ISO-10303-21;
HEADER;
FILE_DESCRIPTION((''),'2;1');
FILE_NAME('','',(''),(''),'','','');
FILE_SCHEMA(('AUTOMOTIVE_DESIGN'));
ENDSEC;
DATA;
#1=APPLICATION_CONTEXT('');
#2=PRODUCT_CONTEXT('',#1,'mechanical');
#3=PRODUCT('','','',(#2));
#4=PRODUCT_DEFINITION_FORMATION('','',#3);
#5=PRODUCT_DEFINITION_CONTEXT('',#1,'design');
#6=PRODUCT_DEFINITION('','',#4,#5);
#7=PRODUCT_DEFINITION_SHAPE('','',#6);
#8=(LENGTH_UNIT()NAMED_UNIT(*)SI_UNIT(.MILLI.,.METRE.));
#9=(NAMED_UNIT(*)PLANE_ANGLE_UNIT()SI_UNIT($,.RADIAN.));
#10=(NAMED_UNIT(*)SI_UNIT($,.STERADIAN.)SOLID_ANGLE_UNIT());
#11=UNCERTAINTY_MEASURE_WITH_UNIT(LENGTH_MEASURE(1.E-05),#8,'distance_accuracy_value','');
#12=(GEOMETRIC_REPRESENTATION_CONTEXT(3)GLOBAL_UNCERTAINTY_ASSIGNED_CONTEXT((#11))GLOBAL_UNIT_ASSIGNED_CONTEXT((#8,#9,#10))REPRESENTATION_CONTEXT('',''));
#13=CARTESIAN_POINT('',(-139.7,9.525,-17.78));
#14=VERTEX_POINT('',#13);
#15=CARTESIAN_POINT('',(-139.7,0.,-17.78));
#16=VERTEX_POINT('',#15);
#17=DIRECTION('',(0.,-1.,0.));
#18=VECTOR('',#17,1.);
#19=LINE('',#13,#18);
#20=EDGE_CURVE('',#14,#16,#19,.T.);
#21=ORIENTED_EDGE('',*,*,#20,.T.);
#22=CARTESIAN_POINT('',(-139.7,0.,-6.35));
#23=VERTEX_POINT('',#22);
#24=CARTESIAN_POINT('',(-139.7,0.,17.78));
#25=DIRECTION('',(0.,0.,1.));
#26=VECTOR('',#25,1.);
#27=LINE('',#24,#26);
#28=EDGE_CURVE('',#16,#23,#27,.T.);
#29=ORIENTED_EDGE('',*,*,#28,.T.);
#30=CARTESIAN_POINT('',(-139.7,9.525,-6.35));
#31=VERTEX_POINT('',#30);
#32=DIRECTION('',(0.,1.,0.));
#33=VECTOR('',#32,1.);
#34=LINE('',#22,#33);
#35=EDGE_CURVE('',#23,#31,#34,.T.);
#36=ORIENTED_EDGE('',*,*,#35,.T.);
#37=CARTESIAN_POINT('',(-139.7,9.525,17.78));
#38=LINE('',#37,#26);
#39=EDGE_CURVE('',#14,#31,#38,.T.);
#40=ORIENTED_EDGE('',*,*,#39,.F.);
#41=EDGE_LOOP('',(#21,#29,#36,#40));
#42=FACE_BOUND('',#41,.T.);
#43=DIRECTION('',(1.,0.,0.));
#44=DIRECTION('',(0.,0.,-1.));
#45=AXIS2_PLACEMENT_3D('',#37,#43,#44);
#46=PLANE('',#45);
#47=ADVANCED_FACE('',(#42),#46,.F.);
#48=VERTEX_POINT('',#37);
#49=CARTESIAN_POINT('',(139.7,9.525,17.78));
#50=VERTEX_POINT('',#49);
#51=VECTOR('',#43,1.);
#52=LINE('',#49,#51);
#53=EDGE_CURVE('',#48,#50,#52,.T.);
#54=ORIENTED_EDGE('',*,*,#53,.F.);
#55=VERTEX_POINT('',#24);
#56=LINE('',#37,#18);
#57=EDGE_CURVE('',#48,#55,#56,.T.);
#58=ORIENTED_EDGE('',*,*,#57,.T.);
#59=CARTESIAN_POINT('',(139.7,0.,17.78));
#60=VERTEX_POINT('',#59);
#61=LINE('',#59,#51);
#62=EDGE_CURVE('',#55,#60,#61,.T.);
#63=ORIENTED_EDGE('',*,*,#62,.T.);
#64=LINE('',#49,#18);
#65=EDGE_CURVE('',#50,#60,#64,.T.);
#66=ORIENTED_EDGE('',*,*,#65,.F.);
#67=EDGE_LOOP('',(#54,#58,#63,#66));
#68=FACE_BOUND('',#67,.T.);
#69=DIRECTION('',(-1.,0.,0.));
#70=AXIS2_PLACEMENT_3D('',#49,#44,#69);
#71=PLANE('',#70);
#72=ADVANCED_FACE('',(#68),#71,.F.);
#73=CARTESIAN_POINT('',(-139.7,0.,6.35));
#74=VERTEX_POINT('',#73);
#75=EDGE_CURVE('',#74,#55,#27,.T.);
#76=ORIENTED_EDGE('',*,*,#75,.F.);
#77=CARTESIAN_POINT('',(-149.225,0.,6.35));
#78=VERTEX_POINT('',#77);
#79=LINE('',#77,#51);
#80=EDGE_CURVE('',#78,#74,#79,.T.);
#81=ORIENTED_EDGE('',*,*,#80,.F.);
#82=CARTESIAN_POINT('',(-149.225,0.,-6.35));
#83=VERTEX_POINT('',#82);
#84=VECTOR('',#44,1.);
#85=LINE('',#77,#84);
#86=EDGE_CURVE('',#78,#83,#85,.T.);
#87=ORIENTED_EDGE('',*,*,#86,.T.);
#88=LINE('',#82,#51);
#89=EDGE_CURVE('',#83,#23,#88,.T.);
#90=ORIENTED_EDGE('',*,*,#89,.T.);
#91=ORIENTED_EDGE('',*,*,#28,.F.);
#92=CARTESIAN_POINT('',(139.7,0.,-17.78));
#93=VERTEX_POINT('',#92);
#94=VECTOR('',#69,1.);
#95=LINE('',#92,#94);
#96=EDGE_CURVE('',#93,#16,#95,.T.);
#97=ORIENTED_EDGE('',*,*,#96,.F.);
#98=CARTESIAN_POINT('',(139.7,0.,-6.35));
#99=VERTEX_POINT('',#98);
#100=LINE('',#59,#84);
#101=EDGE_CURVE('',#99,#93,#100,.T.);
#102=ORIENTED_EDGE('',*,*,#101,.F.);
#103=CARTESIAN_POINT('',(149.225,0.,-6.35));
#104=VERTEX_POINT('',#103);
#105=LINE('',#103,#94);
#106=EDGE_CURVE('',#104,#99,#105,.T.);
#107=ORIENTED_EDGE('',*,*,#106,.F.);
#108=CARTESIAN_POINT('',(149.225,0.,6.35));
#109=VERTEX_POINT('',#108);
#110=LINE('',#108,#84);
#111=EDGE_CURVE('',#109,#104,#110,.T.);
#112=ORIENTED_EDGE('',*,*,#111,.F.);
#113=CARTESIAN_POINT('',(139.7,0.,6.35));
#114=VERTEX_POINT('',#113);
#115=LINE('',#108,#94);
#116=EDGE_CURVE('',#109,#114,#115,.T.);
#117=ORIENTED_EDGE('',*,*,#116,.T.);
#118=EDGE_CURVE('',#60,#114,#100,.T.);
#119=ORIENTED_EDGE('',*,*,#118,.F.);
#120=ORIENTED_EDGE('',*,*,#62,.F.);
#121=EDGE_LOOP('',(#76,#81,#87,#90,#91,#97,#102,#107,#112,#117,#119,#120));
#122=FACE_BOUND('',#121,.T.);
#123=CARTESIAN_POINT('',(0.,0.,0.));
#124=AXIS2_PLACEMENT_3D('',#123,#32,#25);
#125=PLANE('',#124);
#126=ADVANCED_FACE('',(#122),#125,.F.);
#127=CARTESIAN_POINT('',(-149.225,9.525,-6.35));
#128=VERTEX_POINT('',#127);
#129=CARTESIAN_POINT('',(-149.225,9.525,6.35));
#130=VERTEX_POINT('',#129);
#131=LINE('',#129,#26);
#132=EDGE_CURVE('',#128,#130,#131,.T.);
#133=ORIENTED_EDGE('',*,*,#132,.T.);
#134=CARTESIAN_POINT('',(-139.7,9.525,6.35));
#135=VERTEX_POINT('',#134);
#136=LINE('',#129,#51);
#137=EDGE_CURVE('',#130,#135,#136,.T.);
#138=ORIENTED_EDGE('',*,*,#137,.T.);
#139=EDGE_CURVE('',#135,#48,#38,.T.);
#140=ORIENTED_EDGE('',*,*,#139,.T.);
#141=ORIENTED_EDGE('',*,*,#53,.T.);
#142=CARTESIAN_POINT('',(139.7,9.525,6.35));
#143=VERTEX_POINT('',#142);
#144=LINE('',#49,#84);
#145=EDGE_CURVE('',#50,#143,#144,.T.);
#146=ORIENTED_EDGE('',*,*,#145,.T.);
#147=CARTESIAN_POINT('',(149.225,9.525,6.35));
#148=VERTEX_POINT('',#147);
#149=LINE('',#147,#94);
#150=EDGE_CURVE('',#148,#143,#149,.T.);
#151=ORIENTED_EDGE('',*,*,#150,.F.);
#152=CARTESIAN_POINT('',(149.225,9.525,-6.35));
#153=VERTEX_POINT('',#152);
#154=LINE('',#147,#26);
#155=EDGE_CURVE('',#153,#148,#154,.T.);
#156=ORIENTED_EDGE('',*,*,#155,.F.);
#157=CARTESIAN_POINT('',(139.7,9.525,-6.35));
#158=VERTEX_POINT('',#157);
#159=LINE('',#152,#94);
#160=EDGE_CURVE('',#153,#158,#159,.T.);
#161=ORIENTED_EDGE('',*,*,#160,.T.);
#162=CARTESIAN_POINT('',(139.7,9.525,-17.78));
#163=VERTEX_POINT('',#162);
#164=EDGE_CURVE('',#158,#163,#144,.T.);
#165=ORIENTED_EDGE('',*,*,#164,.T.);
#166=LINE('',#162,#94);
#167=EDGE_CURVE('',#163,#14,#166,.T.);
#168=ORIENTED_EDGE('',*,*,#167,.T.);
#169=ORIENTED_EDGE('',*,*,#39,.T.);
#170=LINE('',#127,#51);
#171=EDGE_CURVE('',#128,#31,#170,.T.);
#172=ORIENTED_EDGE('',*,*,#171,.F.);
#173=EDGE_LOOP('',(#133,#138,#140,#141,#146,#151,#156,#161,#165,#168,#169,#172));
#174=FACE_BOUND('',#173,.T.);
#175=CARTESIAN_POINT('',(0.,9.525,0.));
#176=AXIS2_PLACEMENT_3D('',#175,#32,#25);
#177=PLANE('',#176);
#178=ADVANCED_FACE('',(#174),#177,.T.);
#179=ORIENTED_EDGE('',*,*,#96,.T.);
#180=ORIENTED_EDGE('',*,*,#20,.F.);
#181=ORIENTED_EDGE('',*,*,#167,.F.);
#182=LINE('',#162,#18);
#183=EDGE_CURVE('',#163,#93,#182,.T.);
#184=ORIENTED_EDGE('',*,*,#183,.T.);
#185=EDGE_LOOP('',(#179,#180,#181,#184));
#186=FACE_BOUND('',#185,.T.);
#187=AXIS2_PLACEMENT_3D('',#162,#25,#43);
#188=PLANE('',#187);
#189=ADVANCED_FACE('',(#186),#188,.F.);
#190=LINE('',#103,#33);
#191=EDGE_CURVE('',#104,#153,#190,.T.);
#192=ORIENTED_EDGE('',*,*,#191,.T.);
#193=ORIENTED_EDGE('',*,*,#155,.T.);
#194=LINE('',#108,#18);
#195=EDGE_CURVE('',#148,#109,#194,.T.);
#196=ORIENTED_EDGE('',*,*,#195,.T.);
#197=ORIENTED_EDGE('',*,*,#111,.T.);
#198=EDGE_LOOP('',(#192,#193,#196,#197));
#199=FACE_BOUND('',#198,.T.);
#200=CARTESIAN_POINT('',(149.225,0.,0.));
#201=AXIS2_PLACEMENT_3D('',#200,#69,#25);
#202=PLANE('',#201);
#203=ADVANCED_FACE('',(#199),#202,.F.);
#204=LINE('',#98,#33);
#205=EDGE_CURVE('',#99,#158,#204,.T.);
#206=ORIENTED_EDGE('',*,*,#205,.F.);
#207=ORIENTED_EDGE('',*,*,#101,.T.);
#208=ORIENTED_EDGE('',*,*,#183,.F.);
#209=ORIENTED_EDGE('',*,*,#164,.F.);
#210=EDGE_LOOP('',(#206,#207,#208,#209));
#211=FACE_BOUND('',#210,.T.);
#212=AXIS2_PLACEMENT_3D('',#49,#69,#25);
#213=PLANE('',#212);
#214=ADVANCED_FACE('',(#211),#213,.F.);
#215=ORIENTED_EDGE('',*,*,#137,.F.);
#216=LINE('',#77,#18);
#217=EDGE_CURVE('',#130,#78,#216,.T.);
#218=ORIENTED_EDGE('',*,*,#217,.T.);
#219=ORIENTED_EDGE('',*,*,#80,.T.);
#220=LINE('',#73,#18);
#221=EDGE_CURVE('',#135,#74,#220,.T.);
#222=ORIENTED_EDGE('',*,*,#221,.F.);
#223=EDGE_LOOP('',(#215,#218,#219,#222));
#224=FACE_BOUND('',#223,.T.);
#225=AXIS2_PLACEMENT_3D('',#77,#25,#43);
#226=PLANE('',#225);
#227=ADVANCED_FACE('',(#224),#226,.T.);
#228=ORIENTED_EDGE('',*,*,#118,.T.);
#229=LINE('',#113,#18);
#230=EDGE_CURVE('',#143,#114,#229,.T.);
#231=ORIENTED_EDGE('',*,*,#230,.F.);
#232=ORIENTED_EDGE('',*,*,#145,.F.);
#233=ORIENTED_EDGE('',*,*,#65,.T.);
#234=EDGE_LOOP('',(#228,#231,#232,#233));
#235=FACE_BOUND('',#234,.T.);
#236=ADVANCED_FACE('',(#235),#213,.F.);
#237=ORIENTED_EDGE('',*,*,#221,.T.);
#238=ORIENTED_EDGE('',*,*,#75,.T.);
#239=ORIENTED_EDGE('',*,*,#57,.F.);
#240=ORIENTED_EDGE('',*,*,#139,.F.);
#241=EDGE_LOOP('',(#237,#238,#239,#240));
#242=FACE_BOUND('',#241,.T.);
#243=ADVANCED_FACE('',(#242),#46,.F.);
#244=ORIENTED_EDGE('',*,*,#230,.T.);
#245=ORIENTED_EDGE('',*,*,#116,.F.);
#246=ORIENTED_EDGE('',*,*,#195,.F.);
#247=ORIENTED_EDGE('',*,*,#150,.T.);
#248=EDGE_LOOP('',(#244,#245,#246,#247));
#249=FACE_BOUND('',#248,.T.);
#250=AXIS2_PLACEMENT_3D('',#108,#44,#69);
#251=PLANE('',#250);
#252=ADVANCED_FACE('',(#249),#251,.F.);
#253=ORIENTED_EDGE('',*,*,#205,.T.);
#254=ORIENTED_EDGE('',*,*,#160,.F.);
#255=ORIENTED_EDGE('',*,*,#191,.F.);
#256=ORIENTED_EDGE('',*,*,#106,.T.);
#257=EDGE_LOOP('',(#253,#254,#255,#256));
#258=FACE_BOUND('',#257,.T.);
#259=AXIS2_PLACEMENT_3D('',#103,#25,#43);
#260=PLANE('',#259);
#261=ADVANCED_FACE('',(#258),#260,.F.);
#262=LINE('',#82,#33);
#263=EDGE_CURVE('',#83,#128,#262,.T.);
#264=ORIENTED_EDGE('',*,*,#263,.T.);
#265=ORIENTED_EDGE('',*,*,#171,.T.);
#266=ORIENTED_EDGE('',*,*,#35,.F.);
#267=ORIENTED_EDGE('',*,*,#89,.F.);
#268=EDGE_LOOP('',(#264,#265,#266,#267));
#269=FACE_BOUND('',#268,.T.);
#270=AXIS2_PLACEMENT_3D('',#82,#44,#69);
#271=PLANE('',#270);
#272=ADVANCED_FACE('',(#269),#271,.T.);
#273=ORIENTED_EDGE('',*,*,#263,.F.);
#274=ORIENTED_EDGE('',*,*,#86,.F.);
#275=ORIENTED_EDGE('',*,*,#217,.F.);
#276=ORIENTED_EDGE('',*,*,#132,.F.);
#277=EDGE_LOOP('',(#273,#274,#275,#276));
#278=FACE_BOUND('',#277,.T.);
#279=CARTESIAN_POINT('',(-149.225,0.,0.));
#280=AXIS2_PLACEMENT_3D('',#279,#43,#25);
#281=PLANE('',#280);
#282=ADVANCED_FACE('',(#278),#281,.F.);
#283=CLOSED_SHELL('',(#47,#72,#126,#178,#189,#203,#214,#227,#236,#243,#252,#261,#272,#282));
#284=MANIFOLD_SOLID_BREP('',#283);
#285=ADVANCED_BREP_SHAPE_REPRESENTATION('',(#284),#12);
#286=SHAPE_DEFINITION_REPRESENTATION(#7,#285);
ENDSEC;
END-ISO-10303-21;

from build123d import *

# Parameters (mm, degrees)
SKETCH1_W           = 279.4
SKETCH1_H           = 35.56
BOSS_EXTRUDE1_DEPTH = 9.525
SKETCH2_W           = 12.7
SKETCH2_H           = 9.525
BOSS_EXTRUDE2_DEPTH = 9.525


with BuildPart() as part:
    # Sketch1 → Boss-Extrude1 (new body)
    with BuildSketch(Plane(origin=(0, 0, 0), x_dir=(1, 0, 0), z_dir=(0, 1, 0))):
        Rectangle(SKETCH1_W, SKETCH1_H)
    extrude(amount=BOSS_EXTRUDE1_DEPTH)

    # Sketch2 → Boss-Extrude2 (add)
    with BuildSketch(Plane(origin=(139.7, 0, 0), x_dir=(0, 0, -1), z_dir=(1, 0, 0))):
        with Locations((0, 4.7625)):
            Rectangle(SKETCH2_W, SKETCH2_H)
    boss_extrude2 = extrude(amount=BOSS_EXTRUDE2_DEPTH)

    # Mirror1: Boss-Extrude2 across plane
    add(boss_extrude2.mirror(Plane(origin=(0, 0, 0), x_dir=(0, 0, 1), z_dir=(1, 0, 0))))


solid = part.part
